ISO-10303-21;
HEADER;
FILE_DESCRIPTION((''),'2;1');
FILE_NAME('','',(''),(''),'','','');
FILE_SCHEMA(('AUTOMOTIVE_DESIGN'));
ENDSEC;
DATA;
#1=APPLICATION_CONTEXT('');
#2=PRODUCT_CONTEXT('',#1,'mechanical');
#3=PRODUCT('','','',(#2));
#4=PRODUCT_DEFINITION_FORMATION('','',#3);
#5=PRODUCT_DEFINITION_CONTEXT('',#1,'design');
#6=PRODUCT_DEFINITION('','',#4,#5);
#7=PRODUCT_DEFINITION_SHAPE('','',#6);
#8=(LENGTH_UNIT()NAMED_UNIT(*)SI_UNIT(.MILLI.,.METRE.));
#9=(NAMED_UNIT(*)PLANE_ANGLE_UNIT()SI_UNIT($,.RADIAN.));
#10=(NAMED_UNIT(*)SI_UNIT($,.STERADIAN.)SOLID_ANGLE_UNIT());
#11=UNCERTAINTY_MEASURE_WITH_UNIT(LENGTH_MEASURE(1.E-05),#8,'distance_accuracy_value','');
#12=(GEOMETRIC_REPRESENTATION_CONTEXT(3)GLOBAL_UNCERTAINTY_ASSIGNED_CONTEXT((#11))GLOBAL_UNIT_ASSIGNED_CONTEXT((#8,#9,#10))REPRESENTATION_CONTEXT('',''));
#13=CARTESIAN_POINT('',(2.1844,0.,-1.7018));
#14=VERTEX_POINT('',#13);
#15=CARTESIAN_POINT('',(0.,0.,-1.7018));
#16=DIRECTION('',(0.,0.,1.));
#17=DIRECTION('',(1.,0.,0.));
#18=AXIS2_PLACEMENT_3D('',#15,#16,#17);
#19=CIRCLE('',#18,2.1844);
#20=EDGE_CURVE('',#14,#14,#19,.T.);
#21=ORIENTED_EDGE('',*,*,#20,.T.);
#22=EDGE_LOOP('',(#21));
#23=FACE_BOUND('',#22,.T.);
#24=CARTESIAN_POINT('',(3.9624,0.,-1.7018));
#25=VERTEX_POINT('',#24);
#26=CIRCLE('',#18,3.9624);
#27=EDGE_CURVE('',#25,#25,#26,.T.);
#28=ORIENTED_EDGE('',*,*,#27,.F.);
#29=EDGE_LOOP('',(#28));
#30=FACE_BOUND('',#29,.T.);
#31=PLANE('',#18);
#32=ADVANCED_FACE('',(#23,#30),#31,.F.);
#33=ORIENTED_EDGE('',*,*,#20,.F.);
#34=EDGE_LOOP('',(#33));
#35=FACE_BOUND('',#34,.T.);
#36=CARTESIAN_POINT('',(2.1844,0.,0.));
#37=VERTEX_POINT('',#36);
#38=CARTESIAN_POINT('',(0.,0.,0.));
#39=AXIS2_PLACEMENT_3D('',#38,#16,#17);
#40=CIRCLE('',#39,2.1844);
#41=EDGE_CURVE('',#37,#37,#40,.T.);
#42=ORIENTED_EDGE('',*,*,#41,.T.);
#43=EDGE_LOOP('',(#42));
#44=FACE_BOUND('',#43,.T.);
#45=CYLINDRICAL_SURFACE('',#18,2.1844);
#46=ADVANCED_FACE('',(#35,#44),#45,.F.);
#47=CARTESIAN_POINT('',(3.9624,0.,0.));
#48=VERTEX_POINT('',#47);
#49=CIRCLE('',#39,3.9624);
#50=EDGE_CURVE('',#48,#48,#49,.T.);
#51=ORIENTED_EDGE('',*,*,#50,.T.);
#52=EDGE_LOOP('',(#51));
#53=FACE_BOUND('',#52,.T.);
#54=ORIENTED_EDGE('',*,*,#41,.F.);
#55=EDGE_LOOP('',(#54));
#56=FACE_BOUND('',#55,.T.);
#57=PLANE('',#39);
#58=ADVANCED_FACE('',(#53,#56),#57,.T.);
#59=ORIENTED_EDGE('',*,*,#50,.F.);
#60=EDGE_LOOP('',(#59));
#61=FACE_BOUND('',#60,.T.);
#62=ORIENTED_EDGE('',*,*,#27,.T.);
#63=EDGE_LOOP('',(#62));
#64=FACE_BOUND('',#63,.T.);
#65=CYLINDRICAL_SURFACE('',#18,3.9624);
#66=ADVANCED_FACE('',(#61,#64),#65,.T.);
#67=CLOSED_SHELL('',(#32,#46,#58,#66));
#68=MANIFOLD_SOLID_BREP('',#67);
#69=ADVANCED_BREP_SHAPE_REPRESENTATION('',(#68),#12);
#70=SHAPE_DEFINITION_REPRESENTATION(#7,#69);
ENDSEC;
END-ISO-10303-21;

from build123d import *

# Parameters (mm, degrees)
SKETCH1_R      = 3.9624
SKETCH1_R_2    = 2.1844
EXTRUDE1_DEPTH = 1.7018


with BuildPart() as part:
    # Sketch1 → Extrude1 (new body)
    with BuildSketch(Plane.XY):
        Circle(SKETCH1_R)
        Circle(SKETCH1_R_2, mode=Mode.SUBTRACT)
    extrude(amount=-EXTRUDE1_DEPTH)


solid = part.part
